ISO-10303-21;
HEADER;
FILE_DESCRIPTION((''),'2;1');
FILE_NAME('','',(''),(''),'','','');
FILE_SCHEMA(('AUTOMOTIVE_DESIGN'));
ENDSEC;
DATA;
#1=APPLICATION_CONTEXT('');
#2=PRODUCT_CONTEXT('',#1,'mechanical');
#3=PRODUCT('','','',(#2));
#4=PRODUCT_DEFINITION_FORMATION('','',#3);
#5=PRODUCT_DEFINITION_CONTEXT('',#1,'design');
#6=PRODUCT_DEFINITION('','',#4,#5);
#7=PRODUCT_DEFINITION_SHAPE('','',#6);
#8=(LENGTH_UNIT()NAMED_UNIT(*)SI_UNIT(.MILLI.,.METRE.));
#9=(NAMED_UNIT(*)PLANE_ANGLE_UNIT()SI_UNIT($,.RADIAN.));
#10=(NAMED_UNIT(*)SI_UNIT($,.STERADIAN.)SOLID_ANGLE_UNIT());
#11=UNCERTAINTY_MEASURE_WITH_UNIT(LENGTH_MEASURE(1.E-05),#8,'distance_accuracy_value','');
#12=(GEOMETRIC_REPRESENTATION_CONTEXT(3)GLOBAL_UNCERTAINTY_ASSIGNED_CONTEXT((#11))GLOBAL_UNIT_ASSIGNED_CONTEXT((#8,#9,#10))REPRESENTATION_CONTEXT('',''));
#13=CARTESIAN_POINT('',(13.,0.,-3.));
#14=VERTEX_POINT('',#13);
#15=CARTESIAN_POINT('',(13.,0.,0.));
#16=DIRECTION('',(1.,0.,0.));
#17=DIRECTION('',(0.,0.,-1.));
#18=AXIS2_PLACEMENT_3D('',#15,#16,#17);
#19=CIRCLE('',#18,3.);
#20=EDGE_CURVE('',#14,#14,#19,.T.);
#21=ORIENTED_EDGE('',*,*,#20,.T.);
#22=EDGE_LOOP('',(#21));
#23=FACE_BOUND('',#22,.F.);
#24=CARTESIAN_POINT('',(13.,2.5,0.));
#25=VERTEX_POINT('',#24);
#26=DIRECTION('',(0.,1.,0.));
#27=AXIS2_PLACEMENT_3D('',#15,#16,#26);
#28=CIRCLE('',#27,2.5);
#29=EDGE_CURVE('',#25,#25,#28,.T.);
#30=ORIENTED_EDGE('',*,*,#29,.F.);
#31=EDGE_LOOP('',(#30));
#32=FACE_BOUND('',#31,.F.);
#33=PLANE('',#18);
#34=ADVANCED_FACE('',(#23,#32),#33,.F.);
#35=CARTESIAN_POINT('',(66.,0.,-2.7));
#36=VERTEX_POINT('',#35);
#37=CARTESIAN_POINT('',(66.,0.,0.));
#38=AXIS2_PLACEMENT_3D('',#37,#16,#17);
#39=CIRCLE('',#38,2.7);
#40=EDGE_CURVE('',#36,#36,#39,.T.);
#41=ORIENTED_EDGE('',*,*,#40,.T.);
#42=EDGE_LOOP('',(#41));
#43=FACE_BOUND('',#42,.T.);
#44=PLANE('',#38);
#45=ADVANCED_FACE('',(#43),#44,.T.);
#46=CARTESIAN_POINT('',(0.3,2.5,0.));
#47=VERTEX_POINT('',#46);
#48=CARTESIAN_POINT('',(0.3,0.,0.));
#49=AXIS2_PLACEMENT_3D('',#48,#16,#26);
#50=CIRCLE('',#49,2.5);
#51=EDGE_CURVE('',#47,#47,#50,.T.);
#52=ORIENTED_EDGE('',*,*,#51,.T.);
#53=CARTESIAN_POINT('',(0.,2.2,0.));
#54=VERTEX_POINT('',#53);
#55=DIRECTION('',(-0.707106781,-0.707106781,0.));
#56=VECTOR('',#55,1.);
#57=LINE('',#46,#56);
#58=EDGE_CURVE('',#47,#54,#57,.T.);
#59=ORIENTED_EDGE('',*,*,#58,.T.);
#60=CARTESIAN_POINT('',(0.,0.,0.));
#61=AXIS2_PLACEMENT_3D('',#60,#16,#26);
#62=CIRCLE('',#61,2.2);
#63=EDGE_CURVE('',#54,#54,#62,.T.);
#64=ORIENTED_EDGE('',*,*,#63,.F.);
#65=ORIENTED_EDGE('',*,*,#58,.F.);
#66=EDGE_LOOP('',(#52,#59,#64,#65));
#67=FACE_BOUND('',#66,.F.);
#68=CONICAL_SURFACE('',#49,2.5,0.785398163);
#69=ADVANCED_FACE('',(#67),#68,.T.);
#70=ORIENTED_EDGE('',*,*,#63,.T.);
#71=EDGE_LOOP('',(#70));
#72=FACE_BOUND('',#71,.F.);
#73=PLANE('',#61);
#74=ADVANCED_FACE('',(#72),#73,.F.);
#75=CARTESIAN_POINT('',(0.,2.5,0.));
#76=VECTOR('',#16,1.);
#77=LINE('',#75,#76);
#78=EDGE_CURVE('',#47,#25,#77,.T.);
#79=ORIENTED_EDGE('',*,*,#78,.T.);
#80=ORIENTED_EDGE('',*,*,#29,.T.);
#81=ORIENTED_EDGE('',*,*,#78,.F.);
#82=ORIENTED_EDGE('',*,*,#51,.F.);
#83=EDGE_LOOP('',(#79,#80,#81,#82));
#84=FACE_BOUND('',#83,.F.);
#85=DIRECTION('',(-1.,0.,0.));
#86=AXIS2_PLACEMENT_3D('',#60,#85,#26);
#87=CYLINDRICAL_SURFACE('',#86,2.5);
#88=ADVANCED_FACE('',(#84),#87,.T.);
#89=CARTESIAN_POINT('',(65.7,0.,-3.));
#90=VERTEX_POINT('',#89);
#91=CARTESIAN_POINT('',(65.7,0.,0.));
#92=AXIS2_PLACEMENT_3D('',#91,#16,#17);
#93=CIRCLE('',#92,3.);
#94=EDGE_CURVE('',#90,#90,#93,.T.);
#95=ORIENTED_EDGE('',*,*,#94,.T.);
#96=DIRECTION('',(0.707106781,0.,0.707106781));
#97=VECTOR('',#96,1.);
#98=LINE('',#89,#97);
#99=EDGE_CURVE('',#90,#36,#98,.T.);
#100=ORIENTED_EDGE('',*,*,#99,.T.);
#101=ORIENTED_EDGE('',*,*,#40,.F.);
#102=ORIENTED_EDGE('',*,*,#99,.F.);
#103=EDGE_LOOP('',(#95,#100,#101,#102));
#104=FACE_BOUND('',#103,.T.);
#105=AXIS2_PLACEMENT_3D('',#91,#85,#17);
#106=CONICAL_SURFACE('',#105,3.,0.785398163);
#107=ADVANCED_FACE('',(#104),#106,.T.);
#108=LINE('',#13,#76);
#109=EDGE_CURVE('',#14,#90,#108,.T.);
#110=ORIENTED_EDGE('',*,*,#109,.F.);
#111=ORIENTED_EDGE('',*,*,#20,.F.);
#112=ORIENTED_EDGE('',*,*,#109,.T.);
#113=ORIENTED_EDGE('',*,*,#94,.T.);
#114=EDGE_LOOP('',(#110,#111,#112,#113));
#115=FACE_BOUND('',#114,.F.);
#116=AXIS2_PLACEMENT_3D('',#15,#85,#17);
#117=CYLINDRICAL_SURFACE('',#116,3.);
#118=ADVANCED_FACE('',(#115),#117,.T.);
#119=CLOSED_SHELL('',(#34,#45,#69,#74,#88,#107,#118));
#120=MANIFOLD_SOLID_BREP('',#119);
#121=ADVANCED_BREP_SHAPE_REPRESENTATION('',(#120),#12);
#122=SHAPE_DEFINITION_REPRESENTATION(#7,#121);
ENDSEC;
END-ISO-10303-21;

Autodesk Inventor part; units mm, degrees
ref_plane "YZ Plane" through (0, 0, 0) normal (1, 0, 0) x (0, 1, 0)
ref_plane "XZ Plane" through (0, 0, 0) normal (0, 1, 0) x (-1, 0, 0)
ref_plane "XY Plane" through (0, 0, 0) normal (0, 0, 1) x (1, 0, 0)
sketch "Sketch1" plane through (0, 0, 0) normal (1, 0, 0) x (0, 1, 0)
  circle A0 centre (0, 0) radius 2.5
  dimension "d0" = 5
extrude "Extrusion1" add sketch "Sketch1" along normal blind 13
sketch "Sketch2" plane through (13, 0, 0) normal (1, 0, 0) x (0, 0, -1)
  circle A0 centre (0, 0) radius 3
  dimension "d3" = 6
extrude "Extrusion2" add sketch "Sketch2" along normal blind 53
chamfer "Chamfer1" distance 0.3 angle 45 2 edges at (0, -2.5, 0) (66, 0, 3)
thread "Thread1" size "12-24 UNC" class "2A" standard "ANSI Unified Screw Threads" length 8 offset 5
thread "Thread2" size "1/4-20 UNC" class "2A" standard "ANSI Unified Screw Threads" length 8 offset 45
properties part number "Piston Rod" material "Steel"
